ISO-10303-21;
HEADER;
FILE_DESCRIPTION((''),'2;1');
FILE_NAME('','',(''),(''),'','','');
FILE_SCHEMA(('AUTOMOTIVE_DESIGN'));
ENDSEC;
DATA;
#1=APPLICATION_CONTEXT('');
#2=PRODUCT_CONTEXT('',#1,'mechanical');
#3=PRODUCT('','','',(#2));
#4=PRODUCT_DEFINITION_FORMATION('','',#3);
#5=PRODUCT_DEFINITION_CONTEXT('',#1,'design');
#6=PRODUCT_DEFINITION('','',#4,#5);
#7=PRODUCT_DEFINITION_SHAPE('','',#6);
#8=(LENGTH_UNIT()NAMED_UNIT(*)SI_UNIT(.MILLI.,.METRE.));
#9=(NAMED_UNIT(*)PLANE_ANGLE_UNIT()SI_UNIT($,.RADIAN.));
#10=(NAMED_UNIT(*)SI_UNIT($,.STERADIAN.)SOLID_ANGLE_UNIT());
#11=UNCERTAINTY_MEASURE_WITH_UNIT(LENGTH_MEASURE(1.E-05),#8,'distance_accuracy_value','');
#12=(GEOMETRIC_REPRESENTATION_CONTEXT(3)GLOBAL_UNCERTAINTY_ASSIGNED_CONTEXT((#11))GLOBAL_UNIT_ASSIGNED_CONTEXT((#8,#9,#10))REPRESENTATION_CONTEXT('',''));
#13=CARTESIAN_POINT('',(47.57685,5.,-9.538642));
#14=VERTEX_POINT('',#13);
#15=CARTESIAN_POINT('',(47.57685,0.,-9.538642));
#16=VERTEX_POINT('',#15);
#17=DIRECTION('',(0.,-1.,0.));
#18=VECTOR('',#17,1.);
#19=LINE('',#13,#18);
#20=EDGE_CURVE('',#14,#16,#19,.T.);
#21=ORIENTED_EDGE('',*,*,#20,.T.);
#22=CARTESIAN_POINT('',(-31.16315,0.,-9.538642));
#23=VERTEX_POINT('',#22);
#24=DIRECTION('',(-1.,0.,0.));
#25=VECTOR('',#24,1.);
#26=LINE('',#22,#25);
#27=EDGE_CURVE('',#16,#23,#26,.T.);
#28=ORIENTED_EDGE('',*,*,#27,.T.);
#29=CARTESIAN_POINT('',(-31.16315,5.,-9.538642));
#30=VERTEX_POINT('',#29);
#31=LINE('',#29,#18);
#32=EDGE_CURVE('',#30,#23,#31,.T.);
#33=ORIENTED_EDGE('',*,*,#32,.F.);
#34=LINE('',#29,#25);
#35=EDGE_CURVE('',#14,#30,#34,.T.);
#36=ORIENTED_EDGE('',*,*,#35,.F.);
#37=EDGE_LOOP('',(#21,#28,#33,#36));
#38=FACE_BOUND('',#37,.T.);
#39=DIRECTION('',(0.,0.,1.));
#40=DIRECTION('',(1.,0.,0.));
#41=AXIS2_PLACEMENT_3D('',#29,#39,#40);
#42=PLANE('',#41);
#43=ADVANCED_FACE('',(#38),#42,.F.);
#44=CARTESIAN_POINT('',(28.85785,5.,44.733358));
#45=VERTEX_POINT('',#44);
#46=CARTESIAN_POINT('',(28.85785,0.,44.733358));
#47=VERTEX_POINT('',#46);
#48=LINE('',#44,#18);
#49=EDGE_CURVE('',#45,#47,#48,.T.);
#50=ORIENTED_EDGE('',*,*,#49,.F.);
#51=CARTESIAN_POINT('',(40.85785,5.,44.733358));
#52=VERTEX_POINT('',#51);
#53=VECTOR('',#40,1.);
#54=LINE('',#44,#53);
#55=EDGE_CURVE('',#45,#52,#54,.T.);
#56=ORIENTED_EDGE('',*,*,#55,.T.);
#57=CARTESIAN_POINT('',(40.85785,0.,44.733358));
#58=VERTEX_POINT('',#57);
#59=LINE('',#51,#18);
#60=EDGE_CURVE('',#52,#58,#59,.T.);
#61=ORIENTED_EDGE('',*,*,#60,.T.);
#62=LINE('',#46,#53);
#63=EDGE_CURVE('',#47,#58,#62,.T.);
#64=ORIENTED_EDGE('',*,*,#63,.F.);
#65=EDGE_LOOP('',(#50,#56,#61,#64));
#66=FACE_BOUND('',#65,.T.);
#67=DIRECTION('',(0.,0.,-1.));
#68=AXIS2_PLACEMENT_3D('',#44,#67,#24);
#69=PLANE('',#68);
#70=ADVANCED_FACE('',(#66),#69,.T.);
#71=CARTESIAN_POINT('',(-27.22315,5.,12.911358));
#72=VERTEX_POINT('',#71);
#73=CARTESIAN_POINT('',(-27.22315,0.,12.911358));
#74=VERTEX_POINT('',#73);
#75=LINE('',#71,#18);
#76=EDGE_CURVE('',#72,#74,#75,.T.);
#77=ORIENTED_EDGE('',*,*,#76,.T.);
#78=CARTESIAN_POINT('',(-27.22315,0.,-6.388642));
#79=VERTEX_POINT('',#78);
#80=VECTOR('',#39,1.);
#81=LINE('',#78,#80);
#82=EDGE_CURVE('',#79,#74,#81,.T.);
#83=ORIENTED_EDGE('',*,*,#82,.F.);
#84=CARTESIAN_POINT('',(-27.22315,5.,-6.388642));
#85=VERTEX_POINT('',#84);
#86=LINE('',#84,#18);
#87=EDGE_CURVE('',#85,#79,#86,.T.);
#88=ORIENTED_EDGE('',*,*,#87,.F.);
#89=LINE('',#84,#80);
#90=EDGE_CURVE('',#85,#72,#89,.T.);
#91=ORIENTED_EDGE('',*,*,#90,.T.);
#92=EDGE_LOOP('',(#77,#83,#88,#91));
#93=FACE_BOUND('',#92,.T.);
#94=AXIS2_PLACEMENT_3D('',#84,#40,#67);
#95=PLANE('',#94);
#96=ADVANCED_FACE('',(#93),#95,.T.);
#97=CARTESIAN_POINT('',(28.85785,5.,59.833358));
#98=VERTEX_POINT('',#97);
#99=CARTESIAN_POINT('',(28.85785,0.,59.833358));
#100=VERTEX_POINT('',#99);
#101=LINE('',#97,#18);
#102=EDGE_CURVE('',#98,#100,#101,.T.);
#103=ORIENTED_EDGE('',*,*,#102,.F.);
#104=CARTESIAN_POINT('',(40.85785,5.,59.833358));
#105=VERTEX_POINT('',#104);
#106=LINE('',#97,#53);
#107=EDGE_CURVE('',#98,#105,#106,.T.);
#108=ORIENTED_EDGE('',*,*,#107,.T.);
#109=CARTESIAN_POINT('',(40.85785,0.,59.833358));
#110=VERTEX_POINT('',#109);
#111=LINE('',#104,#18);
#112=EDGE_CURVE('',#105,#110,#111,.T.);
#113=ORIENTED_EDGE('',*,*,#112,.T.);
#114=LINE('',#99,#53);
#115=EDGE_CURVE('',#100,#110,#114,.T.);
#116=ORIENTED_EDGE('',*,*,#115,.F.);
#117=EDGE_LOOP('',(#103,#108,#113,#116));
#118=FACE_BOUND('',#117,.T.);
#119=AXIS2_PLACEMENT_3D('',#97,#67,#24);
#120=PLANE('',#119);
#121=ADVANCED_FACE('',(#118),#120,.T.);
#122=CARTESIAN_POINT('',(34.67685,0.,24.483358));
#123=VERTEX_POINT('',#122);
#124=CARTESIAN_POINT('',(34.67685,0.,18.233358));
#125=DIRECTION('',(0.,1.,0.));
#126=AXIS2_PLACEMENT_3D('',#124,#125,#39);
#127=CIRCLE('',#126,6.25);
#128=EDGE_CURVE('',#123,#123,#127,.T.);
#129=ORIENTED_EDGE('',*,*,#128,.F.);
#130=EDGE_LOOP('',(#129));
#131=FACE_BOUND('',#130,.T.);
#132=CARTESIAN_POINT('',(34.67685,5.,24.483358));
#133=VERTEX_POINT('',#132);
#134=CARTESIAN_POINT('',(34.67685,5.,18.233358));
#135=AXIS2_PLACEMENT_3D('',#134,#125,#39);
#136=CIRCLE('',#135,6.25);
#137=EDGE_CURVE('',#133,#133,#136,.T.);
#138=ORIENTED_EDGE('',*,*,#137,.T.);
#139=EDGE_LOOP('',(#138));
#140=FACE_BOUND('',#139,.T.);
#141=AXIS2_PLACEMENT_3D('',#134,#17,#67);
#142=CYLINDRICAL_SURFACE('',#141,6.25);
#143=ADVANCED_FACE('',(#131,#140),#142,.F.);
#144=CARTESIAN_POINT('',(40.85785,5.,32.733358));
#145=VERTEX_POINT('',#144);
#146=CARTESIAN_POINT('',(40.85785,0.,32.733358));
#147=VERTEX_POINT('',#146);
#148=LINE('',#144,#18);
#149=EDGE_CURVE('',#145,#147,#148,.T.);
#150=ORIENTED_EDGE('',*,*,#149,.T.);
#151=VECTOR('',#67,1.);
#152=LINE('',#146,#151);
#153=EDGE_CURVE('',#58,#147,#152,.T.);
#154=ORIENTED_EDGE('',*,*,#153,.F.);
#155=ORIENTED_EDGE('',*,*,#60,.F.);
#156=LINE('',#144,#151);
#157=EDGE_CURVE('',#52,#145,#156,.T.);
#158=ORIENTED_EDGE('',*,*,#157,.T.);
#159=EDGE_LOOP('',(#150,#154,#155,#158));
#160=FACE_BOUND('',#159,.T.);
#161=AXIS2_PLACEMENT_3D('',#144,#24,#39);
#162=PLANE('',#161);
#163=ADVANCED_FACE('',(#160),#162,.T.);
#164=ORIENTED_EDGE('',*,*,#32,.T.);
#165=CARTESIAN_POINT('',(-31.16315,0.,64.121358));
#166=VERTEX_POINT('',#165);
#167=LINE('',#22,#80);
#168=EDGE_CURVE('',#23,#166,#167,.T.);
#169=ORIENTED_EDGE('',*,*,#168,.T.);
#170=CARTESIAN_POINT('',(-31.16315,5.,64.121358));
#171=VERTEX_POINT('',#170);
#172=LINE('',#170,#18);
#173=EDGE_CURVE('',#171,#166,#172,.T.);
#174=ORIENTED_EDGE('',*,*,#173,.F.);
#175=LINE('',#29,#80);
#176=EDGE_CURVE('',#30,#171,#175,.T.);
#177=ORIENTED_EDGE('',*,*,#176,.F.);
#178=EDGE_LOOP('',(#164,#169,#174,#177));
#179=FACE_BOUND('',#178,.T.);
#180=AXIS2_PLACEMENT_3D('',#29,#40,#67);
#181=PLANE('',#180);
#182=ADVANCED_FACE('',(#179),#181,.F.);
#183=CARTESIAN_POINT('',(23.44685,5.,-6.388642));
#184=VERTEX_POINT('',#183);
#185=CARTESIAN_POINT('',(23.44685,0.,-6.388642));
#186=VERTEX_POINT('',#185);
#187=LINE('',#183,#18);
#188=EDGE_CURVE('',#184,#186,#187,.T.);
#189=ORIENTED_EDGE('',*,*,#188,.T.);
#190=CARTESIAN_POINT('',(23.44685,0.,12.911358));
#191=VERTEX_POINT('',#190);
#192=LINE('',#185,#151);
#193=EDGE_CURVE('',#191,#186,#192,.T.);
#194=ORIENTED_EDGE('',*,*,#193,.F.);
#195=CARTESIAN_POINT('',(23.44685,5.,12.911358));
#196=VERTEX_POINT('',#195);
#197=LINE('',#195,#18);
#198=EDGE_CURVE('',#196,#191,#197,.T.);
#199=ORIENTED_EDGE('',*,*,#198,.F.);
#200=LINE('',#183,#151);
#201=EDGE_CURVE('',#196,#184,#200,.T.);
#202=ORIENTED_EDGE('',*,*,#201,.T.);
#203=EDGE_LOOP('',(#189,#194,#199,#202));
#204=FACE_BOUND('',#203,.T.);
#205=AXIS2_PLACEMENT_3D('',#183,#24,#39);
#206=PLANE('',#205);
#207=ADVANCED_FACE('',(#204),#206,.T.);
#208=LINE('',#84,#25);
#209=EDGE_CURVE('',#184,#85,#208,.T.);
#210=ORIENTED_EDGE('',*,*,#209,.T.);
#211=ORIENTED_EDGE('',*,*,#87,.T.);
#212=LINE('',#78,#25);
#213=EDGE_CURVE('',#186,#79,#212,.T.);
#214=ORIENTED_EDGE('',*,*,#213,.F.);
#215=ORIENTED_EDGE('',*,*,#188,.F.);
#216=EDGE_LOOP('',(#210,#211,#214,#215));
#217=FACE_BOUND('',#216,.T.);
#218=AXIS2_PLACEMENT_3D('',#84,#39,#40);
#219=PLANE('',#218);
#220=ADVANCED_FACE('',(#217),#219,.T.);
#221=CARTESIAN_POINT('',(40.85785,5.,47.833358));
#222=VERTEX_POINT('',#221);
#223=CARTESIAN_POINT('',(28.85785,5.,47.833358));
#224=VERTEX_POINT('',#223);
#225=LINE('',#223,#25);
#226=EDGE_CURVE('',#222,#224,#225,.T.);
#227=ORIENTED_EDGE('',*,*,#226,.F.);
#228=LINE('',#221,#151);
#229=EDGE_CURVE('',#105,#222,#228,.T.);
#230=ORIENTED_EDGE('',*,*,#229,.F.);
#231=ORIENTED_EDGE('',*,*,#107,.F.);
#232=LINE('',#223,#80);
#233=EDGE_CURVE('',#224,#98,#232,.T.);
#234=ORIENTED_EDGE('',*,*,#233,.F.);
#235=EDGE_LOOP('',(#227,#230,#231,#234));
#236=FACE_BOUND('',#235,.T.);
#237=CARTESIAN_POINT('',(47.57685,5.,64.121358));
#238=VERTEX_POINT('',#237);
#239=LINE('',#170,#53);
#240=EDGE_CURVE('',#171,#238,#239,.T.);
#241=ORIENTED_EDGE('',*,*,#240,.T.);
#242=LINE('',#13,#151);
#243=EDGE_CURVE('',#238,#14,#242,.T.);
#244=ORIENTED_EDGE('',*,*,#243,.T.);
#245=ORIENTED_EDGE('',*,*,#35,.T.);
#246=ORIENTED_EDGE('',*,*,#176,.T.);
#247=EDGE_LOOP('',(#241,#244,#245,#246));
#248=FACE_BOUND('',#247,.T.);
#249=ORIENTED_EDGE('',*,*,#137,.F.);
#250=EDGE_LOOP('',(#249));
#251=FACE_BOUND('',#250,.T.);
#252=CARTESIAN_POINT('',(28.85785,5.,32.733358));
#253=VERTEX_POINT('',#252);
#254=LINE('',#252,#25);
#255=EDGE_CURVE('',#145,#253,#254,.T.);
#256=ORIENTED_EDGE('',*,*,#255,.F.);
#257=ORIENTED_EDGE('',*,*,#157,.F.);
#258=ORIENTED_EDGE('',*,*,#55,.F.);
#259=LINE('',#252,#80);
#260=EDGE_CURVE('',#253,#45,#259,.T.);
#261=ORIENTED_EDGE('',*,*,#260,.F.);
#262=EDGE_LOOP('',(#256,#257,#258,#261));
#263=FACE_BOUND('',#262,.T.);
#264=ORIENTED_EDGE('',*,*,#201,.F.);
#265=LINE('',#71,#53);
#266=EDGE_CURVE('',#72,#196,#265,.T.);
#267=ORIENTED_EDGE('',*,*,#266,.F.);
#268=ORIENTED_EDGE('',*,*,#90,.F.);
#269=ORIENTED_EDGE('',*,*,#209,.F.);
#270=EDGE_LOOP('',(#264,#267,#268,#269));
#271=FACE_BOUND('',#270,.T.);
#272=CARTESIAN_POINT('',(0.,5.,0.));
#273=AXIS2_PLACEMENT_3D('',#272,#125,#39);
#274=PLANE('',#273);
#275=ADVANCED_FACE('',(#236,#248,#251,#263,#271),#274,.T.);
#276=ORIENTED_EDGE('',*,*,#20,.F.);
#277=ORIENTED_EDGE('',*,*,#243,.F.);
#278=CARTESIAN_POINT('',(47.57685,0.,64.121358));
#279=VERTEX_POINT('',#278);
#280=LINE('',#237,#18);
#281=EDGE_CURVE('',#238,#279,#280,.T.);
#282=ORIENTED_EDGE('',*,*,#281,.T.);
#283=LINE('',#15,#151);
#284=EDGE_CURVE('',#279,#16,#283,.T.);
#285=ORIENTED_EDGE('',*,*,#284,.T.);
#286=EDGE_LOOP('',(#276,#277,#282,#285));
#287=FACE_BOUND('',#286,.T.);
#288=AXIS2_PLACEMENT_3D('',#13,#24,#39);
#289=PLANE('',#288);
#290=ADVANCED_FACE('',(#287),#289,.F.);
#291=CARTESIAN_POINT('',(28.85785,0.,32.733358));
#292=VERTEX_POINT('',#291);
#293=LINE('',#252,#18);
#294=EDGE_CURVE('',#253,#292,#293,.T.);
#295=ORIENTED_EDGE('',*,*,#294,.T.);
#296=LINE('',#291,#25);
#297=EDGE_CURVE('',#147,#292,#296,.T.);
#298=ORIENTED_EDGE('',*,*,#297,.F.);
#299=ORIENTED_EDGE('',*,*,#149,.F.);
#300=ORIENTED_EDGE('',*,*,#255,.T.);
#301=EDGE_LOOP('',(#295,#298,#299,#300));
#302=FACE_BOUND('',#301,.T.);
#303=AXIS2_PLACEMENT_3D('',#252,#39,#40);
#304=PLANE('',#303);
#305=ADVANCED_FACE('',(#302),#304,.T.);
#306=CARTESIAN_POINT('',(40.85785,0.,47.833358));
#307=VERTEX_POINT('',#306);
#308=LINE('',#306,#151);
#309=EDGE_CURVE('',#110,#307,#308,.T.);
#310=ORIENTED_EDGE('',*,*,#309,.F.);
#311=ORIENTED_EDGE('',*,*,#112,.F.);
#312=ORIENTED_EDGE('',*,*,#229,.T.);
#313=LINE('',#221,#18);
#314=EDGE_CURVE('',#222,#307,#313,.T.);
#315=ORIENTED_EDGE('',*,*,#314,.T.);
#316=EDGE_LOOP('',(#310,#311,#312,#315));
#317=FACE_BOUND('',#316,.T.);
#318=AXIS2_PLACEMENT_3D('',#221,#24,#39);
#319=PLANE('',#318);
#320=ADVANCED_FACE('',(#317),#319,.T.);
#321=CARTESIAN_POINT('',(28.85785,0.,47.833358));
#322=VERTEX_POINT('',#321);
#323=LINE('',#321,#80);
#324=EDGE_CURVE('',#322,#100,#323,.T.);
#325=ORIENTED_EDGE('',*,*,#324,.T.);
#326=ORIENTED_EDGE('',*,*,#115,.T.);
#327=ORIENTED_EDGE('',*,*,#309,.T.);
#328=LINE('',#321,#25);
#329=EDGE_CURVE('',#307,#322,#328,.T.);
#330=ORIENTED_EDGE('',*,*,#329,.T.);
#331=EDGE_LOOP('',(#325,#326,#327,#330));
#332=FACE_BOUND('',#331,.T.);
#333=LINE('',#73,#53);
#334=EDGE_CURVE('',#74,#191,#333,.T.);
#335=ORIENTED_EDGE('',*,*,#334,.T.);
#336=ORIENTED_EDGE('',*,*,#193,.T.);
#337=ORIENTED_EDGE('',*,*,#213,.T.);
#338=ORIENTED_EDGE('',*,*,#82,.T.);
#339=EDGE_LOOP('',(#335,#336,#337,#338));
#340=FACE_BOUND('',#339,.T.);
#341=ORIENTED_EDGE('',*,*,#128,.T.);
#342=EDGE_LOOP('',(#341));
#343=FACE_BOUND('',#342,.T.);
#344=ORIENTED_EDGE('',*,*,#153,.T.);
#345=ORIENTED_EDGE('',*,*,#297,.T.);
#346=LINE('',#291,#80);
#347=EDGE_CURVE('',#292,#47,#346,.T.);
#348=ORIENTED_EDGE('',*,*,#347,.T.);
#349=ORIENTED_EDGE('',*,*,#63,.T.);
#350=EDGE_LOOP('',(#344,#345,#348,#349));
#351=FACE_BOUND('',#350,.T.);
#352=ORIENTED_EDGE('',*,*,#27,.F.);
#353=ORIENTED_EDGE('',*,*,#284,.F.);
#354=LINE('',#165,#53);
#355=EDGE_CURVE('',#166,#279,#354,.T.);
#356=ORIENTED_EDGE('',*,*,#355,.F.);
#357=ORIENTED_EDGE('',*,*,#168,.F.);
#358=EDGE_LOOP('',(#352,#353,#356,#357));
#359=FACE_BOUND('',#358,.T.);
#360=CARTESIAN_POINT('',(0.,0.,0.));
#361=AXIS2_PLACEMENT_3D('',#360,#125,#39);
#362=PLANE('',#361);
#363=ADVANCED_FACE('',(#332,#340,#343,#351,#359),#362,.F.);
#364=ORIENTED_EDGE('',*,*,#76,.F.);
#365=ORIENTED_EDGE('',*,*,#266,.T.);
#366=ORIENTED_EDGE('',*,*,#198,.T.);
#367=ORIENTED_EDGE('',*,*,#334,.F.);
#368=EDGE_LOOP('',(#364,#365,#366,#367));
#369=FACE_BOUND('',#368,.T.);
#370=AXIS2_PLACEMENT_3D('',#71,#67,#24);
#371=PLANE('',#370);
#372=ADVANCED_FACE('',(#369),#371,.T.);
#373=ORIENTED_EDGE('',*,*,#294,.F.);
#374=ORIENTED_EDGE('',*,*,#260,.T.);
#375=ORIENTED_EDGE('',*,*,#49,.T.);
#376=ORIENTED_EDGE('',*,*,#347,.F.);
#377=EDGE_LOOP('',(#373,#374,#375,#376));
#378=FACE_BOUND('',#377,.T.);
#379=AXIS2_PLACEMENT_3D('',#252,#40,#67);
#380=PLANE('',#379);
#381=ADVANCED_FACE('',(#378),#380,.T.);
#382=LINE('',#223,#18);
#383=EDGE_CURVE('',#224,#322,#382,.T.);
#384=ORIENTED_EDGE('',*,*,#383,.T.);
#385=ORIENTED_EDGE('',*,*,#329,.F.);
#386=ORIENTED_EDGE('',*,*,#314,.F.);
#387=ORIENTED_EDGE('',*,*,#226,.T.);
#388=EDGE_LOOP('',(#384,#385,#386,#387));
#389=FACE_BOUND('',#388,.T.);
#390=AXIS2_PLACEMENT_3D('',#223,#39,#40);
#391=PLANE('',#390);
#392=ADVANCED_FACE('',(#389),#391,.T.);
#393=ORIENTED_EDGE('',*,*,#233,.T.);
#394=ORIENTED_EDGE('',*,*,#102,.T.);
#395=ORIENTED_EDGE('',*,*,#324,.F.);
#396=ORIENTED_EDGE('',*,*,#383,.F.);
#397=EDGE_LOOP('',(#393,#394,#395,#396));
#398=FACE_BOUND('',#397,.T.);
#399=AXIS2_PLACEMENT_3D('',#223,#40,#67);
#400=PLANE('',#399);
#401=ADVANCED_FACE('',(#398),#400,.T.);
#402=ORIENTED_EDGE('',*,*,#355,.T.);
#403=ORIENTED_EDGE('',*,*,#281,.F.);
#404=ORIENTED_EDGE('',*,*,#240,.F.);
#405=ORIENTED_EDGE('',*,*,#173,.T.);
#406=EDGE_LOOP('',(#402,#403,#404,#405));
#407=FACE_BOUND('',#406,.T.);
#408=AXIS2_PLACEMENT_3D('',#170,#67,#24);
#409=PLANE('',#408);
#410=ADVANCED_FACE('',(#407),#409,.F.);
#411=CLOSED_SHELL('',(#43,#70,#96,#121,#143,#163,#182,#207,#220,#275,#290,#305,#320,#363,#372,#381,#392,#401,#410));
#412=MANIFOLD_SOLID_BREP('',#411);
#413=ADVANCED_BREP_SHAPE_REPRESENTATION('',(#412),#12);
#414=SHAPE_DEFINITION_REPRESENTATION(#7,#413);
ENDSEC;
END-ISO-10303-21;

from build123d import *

# Parameters (mm, degrees)
SKETCH1_W           = 78.74
SKETCH1_H           = 73.66
SKETCH1_R           = 6.25
SKETCH1_W_2         = 50.67
SKETCH1_H_2         = 19.3
SKETCH1_W_3         = 12
SKETCH1_H_3         = 12
BOSS_EXTRUDE1_DEPTH = 5


with BuildPart() as part:
    # Sketch1 → Boss-Extrude1 (new body)
    with BuildSketch(Plane(origin=(0, 0, 0), x_dir=(1, 0, 0), z_dir=(0, 1, 0))):
        with Locations((8.206850447, -27.291358184)):
            Rectangle(SKETCH1_W, SKETCH1_H)
        with Locations(Location((34.676850447, -18.233358184, 0), (0, 0, 270))):
            Circle(SKETCH1_R, mode=Mode.SUBTRACT)
        with Locations((-1.888149553, -3.261358184)):
            Rectangle(SKETCH1_W_2, SKETCH1_H_2, mode=Mode.SUBTRACT)
        with Locations((34.857850447, -38.733358184)):
            Rectangle(SKETCH1_W_3, SKETCH1_H_3, mode=Mode.SUBTRACT)
        with Locations((34.857850447, -53.833358184)):
            Rectangle(SKETCH1_W_3, SKETCH1_H_3, mode=Mode.SUBTRACT)
    extrude(amount=BOSS_EXTRUDE1_DEPTH)


solid = part.part
